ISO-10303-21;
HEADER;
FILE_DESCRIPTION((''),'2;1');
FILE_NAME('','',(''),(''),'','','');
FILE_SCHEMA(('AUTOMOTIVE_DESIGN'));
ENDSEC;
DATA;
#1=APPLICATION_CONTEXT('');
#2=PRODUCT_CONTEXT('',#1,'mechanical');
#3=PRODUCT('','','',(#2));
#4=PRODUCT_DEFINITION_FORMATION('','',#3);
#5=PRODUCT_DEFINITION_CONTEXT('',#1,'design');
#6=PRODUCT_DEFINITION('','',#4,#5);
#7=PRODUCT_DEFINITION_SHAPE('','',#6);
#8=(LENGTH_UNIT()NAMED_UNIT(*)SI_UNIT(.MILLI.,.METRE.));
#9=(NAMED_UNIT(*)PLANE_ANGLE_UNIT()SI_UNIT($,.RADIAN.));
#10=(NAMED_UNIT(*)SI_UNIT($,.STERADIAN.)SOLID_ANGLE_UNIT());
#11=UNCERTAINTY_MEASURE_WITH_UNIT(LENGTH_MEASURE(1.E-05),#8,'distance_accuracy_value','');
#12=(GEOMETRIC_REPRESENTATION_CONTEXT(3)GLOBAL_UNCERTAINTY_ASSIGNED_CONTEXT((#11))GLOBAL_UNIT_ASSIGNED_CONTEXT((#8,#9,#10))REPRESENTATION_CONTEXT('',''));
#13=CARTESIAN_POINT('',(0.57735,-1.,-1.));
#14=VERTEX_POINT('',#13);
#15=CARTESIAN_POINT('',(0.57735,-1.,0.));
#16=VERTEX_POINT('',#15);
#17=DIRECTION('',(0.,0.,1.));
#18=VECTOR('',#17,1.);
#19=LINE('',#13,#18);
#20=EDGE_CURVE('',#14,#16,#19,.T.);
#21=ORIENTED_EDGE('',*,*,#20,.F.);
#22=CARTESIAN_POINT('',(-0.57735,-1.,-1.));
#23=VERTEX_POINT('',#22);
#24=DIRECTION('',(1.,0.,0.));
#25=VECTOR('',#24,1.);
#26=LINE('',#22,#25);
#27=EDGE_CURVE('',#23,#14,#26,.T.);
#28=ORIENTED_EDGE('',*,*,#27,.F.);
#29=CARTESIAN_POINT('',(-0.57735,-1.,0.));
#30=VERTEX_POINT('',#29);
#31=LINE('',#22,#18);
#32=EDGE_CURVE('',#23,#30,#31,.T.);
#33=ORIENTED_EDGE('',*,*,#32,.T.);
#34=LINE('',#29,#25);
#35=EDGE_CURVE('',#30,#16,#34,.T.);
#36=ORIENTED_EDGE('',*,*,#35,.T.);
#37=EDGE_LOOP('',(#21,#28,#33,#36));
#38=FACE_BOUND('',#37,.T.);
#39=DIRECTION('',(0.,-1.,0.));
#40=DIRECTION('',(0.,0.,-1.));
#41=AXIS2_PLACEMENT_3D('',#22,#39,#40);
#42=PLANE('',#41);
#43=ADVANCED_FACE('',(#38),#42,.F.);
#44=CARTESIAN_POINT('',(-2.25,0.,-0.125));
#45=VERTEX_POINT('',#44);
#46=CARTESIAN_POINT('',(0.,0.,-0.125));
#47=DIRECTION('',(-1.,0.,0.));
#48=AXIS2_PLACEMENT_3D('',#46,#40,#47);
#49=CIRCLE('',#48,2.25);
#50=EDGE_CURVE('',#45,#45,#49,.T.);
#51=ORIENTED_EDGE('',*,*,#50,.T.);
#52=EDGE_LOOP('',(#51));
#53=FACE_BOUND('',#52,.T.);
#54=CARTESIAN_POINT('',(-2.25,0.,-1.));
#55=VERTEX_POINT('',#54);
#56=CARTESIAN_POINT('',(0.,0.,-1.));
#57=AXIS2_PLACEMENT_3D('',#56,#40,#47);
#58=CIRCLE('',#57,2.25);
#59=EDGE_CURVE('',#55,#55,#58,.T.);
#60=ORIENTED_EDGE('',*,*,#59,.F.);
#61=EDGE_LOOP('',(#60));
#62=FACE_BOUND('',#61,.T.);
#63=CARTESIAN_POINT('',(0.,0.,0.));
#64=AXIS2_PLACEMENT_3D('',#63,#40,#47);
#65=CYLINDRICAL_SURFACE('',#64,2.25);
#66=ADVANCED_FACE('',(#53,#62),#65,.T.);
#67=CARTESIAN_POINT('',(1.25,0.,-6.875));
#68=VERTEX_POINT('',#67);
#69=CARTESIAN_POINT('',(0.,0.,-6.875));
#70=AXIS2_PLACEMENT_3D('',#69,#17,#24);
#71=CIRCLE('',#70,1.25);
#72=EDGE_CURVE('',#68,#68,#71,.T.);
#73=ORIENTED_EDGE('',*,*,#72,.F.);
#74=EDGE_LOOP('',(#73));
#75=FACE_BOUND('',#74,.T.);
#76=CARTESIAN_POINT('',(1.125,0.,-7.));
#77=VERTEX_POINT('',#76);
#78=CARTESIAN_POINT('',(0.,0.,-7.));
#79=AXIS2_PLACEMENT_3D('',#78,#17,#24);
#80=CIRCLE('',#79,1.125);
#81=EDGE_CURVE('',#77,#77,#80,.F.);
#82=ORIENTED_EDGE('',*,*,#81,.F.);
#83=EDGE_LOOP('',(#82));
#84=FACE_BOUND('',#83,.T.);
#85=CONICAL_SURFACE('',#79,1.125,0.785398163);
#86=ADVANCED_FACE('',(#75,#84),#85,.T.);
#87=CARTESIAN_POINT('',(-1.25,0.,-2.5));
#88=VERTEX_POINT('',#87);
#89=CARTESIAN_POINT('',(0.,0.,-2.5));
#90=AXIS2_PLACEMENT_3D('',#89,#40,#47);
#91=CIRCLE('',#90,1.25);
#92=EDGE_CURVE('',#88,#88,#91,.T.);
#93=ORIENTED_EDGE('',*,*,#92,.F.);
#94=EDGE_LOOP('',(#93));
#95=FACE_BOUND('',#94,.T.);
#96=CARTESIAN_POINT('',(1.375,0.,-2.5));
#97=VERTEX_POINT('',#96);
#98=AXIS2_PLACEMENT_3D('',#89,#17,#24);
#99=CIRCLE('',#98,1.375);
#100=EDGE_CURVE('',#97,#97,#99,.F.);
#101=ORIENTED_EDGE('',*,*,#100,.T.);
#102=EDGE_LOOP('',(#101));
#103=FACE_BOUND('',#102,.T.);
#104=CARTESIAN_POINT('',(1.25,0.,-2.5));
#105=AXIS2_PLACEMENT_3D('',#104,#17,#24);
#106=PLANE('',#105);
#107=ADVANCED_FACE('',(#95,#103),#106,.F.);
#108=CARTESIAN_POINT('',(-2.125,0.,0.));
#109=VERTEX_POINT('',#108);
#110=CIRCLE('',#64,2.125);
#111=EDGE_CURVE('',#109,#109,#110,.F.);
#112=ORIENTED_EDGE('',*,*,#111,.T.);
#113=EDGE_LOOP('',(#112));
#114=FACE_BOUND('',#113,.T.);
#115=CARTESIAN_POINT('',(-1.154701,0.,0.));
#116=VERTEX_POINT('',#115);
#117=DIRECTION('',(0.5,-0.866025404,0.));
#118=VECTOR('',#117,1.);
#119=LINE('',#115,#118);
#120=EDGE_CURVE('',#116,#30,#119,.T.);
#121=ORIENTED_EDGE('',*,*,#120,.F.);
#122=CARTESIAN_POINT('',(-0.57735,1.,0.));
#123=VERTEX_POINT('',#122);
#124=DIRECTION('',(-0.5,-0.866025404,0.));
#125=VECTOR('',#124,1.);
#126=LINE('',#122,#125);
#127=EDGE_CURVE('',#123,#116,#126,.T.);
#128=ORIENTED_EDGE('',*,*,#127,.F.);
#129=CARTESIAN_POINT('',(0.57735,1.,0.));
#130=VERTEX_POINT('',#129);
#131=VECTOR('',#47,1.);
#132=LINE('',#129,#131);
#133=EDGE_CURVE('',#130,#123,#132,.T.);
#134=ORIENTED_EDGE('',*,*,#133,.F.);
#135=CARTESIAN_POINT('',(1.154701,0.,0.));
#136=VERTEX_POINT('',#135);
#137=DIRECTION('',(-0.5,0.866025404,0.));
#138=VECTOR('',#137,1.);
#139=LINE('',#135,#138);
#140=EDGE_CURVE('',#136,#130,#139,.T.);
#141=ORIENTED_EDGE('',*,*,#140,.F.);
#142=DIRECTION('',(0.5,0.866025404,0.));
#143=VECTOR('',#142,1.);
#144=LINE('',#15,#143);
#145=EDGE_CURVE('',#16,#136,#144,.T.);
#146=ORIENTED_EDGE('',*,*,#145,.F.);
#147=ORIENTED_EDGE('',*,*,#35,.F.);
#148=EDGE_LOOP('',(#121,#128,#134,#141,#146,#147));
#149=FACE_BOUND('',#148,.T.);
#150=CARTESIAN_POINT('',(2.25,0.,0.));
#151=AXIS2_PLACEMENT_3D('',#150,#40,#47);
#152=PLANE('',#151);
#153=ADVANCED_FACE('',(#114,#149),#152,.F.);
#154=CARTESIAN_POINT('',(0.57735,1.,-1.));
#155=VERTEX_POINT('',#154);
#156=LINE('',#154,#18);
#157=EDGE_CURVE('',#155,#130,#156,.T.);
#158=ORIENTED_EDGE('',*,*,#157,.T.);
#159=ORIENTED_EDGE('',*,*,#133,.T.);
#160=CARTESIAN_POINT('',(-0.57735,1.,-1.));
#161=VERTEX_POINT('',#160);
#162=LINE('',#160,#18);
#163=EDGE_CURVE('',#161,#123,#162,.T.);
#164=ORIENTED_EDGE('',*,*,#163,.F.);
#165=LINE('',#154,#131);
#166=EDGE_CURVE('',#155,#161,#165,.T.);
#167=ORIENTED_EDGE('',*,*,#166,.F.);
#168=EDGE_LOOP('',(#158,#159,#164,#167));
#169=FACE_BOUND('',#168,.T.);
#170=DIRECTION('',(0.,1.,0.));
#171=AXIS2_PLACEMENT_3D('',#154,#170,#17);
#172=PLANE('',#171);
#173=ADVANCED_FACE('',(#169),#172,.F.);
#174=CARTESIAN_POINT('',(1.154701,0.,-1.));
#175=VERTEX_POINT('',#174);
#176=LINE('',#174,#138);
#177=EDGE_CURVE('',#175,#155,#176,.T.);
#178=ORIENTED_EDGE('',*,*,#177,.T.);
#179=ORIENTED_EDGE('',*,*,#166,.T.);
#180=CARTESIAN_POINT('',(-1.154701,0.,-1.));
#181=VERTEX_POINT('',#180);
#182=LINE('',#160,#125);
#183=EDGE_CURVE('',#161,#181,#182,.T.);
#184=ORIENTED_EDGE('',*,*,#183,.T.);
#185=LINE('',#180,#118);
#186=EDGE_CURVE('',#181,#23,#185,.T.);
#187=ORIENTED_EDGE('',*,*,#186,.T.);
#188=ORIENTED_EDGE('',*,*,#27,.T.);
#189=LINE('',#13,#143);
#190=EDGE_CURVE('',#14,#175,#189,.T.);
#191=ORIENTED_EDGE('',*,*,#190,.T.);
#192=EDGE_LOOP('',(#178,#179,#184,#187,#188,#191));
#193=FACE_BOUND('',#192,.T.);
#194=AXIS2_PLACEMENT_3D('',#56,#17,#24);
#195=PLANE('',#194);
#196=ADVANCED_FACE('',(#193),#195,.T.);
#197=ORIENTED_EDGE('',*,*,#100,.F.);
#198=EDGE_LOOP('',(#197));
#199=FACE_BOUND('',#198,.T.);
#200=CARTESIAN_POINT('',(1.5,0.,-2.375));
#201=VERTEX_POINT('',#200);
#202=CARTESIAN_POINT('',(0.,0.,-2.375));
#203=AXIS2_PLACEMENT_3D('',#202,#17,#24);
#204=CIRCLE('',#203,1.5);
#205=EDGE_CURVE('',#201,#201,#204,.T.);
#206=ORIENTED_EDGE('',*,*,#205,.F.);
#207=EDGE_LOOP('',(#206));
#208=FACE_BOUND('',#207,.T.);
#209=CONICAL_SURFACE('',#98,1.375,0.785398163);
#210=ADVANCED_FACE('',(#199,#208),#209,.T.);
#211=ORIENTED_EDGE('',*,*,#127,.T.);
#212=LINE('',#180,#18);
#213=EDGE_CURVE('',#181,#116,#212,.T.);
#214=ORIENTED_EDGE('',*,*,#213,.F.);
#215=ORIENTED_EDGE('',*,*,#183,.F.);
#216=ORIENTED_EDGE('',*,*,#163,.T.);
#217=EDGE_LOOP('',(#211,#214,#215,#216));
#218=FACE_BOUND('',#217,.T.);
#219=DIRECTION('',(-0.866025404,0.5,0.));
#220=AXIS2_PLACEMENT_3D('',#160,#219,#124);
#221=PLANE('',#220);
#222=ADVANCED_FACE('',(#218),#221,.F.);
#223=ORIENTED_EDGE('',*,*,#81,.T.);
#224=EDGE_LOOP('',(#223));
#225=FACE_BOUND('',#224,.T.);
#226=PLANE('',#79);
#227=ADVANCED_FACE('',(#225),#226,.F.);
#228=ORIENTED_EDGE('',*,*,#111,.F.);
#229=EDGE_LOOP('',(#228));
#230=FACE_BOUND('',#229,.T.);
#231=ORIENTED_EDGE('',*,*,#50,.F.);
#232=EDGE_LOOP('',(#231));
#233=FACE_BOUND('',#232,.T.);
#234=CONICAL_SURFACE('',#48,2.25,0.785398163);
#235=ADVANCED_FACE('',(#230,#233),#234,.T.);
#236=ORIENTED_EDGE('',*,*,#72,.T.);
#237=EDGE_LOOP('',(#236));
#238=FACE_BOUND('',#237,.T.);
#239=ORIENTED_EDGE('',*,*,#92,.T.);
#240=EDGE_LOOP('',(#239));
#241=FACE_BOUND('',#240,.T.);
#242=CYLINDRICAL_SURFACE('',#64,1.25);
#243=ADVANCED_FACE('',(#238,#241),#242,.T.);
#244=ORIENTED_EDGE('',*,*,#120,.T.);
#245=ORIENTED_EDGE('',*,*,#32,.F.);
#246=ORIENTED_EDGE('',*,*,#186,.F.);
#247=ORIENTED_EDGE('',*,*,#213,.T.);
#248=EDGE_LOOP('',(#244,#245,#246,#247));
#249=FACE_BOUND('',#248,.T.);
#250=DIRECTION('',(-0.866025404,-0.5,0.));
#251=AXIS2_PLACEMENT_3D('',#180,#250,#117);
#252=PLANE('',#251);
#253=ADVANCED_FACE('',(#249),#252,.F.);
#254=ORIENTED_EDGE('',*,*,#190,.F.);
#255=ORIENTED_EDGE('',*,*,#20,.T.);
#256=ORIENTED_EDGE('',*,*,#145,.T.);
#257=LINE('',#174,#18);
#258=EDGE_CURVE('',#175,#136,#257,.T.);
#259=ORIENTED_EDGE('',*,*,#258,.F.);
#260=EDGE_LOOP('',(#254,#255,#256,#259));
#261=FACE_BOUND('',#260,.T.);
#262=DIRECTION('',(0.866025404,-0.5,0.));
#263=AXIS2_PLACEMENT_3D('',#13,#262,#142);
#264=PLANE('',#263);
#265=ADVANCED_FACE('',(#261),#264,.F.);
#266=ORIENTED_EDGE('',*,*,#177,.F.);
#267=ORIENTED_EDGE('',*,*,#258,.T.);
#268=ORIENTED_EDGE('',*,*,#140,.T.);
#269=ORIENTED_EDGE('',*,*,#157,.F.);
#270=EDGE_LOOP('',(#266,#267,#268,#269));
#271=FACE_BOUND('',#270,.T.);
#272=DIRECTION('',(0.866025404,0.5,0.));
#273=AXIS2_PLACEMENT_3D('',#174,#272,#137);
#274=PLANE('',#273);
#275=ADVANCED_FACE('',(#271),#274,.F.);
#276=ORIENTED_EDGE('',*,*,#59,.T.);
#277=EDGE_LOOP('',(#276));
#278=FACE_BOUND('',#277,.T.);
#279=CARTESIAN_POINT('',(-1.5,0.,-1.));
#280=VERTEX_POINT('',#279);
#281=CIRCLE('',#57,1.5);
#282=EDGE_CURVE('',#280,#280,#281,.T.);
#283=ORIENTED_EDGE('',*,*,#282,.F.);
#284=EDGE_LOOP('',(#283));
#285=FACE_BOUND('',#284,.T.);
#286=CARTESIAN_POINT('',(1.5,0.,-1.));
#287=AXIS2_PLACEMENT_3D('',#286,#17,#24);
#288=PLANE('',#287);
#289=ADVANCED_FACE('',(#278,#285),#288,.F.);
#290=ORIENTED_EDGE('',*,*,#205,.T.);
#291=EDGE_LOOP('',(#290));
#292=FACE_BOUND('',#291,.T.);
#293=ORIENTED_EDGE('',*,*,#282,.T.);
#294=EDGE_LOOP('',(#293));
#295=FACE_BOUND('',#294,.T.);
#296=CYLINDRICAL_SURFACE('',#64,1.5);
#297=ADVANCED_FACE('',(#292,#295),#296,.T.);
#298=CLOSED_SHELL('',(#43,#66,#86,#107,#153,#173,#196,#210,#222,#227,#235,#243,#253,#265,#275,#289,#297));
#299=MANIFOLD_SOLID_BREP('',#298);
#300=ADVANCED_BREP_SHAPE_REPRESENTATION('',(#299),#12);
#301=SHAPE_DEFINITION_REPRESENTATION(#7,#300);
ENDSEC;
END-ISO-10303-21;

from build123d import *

# Parameters (mm, degrees)
CUT_EXTRUDE1_DEPTH = 1
CHAMFER1_SIZE      = 0.125


with BuildPart() as part:
    # Sketch1 → Revolve1 (revolve)
    with BuildSketch(Plane(origin=(0, 0, 0), x_dir=(1, 0, 0), z_dir=(0, 1, 0))):
        Polygon((0, 0), (0, 7), (1.25, 7), (1.25, 2.5), (1.5, 2.5), (1.5, 1), (2.25, 1), (2.25, 0), align=None)
    revolve(axis=Axis((0, 0, 0), (0, 0, 1)))

    # Sketch2 → Cut-Extrude1 (cut)
    with BuildSketch(Plane.XY):
        Polygon((1.154700538, 0), (0.577350269, 1), (-0.577350269, 1), (-1.154700538, 0), (-0.577350269, -1), (0.577350269, -1), align=None)
    extrude(amount=-CUT_EXTRUDE1_DEPTH, mode=Mode.SUBTRACT)

    # Chamfer1
    chamfer1_edges = [part.edges().sort_by_distance(p)[0] for p in [
        (-2.25, 0, 0),
        (-1.5, 0, -2.5),
        (-1.25, 0, -7),
    ]]
    chamfer(chamfer1_edges, length=CHAMFER1_SIZE)


solid = part.part
